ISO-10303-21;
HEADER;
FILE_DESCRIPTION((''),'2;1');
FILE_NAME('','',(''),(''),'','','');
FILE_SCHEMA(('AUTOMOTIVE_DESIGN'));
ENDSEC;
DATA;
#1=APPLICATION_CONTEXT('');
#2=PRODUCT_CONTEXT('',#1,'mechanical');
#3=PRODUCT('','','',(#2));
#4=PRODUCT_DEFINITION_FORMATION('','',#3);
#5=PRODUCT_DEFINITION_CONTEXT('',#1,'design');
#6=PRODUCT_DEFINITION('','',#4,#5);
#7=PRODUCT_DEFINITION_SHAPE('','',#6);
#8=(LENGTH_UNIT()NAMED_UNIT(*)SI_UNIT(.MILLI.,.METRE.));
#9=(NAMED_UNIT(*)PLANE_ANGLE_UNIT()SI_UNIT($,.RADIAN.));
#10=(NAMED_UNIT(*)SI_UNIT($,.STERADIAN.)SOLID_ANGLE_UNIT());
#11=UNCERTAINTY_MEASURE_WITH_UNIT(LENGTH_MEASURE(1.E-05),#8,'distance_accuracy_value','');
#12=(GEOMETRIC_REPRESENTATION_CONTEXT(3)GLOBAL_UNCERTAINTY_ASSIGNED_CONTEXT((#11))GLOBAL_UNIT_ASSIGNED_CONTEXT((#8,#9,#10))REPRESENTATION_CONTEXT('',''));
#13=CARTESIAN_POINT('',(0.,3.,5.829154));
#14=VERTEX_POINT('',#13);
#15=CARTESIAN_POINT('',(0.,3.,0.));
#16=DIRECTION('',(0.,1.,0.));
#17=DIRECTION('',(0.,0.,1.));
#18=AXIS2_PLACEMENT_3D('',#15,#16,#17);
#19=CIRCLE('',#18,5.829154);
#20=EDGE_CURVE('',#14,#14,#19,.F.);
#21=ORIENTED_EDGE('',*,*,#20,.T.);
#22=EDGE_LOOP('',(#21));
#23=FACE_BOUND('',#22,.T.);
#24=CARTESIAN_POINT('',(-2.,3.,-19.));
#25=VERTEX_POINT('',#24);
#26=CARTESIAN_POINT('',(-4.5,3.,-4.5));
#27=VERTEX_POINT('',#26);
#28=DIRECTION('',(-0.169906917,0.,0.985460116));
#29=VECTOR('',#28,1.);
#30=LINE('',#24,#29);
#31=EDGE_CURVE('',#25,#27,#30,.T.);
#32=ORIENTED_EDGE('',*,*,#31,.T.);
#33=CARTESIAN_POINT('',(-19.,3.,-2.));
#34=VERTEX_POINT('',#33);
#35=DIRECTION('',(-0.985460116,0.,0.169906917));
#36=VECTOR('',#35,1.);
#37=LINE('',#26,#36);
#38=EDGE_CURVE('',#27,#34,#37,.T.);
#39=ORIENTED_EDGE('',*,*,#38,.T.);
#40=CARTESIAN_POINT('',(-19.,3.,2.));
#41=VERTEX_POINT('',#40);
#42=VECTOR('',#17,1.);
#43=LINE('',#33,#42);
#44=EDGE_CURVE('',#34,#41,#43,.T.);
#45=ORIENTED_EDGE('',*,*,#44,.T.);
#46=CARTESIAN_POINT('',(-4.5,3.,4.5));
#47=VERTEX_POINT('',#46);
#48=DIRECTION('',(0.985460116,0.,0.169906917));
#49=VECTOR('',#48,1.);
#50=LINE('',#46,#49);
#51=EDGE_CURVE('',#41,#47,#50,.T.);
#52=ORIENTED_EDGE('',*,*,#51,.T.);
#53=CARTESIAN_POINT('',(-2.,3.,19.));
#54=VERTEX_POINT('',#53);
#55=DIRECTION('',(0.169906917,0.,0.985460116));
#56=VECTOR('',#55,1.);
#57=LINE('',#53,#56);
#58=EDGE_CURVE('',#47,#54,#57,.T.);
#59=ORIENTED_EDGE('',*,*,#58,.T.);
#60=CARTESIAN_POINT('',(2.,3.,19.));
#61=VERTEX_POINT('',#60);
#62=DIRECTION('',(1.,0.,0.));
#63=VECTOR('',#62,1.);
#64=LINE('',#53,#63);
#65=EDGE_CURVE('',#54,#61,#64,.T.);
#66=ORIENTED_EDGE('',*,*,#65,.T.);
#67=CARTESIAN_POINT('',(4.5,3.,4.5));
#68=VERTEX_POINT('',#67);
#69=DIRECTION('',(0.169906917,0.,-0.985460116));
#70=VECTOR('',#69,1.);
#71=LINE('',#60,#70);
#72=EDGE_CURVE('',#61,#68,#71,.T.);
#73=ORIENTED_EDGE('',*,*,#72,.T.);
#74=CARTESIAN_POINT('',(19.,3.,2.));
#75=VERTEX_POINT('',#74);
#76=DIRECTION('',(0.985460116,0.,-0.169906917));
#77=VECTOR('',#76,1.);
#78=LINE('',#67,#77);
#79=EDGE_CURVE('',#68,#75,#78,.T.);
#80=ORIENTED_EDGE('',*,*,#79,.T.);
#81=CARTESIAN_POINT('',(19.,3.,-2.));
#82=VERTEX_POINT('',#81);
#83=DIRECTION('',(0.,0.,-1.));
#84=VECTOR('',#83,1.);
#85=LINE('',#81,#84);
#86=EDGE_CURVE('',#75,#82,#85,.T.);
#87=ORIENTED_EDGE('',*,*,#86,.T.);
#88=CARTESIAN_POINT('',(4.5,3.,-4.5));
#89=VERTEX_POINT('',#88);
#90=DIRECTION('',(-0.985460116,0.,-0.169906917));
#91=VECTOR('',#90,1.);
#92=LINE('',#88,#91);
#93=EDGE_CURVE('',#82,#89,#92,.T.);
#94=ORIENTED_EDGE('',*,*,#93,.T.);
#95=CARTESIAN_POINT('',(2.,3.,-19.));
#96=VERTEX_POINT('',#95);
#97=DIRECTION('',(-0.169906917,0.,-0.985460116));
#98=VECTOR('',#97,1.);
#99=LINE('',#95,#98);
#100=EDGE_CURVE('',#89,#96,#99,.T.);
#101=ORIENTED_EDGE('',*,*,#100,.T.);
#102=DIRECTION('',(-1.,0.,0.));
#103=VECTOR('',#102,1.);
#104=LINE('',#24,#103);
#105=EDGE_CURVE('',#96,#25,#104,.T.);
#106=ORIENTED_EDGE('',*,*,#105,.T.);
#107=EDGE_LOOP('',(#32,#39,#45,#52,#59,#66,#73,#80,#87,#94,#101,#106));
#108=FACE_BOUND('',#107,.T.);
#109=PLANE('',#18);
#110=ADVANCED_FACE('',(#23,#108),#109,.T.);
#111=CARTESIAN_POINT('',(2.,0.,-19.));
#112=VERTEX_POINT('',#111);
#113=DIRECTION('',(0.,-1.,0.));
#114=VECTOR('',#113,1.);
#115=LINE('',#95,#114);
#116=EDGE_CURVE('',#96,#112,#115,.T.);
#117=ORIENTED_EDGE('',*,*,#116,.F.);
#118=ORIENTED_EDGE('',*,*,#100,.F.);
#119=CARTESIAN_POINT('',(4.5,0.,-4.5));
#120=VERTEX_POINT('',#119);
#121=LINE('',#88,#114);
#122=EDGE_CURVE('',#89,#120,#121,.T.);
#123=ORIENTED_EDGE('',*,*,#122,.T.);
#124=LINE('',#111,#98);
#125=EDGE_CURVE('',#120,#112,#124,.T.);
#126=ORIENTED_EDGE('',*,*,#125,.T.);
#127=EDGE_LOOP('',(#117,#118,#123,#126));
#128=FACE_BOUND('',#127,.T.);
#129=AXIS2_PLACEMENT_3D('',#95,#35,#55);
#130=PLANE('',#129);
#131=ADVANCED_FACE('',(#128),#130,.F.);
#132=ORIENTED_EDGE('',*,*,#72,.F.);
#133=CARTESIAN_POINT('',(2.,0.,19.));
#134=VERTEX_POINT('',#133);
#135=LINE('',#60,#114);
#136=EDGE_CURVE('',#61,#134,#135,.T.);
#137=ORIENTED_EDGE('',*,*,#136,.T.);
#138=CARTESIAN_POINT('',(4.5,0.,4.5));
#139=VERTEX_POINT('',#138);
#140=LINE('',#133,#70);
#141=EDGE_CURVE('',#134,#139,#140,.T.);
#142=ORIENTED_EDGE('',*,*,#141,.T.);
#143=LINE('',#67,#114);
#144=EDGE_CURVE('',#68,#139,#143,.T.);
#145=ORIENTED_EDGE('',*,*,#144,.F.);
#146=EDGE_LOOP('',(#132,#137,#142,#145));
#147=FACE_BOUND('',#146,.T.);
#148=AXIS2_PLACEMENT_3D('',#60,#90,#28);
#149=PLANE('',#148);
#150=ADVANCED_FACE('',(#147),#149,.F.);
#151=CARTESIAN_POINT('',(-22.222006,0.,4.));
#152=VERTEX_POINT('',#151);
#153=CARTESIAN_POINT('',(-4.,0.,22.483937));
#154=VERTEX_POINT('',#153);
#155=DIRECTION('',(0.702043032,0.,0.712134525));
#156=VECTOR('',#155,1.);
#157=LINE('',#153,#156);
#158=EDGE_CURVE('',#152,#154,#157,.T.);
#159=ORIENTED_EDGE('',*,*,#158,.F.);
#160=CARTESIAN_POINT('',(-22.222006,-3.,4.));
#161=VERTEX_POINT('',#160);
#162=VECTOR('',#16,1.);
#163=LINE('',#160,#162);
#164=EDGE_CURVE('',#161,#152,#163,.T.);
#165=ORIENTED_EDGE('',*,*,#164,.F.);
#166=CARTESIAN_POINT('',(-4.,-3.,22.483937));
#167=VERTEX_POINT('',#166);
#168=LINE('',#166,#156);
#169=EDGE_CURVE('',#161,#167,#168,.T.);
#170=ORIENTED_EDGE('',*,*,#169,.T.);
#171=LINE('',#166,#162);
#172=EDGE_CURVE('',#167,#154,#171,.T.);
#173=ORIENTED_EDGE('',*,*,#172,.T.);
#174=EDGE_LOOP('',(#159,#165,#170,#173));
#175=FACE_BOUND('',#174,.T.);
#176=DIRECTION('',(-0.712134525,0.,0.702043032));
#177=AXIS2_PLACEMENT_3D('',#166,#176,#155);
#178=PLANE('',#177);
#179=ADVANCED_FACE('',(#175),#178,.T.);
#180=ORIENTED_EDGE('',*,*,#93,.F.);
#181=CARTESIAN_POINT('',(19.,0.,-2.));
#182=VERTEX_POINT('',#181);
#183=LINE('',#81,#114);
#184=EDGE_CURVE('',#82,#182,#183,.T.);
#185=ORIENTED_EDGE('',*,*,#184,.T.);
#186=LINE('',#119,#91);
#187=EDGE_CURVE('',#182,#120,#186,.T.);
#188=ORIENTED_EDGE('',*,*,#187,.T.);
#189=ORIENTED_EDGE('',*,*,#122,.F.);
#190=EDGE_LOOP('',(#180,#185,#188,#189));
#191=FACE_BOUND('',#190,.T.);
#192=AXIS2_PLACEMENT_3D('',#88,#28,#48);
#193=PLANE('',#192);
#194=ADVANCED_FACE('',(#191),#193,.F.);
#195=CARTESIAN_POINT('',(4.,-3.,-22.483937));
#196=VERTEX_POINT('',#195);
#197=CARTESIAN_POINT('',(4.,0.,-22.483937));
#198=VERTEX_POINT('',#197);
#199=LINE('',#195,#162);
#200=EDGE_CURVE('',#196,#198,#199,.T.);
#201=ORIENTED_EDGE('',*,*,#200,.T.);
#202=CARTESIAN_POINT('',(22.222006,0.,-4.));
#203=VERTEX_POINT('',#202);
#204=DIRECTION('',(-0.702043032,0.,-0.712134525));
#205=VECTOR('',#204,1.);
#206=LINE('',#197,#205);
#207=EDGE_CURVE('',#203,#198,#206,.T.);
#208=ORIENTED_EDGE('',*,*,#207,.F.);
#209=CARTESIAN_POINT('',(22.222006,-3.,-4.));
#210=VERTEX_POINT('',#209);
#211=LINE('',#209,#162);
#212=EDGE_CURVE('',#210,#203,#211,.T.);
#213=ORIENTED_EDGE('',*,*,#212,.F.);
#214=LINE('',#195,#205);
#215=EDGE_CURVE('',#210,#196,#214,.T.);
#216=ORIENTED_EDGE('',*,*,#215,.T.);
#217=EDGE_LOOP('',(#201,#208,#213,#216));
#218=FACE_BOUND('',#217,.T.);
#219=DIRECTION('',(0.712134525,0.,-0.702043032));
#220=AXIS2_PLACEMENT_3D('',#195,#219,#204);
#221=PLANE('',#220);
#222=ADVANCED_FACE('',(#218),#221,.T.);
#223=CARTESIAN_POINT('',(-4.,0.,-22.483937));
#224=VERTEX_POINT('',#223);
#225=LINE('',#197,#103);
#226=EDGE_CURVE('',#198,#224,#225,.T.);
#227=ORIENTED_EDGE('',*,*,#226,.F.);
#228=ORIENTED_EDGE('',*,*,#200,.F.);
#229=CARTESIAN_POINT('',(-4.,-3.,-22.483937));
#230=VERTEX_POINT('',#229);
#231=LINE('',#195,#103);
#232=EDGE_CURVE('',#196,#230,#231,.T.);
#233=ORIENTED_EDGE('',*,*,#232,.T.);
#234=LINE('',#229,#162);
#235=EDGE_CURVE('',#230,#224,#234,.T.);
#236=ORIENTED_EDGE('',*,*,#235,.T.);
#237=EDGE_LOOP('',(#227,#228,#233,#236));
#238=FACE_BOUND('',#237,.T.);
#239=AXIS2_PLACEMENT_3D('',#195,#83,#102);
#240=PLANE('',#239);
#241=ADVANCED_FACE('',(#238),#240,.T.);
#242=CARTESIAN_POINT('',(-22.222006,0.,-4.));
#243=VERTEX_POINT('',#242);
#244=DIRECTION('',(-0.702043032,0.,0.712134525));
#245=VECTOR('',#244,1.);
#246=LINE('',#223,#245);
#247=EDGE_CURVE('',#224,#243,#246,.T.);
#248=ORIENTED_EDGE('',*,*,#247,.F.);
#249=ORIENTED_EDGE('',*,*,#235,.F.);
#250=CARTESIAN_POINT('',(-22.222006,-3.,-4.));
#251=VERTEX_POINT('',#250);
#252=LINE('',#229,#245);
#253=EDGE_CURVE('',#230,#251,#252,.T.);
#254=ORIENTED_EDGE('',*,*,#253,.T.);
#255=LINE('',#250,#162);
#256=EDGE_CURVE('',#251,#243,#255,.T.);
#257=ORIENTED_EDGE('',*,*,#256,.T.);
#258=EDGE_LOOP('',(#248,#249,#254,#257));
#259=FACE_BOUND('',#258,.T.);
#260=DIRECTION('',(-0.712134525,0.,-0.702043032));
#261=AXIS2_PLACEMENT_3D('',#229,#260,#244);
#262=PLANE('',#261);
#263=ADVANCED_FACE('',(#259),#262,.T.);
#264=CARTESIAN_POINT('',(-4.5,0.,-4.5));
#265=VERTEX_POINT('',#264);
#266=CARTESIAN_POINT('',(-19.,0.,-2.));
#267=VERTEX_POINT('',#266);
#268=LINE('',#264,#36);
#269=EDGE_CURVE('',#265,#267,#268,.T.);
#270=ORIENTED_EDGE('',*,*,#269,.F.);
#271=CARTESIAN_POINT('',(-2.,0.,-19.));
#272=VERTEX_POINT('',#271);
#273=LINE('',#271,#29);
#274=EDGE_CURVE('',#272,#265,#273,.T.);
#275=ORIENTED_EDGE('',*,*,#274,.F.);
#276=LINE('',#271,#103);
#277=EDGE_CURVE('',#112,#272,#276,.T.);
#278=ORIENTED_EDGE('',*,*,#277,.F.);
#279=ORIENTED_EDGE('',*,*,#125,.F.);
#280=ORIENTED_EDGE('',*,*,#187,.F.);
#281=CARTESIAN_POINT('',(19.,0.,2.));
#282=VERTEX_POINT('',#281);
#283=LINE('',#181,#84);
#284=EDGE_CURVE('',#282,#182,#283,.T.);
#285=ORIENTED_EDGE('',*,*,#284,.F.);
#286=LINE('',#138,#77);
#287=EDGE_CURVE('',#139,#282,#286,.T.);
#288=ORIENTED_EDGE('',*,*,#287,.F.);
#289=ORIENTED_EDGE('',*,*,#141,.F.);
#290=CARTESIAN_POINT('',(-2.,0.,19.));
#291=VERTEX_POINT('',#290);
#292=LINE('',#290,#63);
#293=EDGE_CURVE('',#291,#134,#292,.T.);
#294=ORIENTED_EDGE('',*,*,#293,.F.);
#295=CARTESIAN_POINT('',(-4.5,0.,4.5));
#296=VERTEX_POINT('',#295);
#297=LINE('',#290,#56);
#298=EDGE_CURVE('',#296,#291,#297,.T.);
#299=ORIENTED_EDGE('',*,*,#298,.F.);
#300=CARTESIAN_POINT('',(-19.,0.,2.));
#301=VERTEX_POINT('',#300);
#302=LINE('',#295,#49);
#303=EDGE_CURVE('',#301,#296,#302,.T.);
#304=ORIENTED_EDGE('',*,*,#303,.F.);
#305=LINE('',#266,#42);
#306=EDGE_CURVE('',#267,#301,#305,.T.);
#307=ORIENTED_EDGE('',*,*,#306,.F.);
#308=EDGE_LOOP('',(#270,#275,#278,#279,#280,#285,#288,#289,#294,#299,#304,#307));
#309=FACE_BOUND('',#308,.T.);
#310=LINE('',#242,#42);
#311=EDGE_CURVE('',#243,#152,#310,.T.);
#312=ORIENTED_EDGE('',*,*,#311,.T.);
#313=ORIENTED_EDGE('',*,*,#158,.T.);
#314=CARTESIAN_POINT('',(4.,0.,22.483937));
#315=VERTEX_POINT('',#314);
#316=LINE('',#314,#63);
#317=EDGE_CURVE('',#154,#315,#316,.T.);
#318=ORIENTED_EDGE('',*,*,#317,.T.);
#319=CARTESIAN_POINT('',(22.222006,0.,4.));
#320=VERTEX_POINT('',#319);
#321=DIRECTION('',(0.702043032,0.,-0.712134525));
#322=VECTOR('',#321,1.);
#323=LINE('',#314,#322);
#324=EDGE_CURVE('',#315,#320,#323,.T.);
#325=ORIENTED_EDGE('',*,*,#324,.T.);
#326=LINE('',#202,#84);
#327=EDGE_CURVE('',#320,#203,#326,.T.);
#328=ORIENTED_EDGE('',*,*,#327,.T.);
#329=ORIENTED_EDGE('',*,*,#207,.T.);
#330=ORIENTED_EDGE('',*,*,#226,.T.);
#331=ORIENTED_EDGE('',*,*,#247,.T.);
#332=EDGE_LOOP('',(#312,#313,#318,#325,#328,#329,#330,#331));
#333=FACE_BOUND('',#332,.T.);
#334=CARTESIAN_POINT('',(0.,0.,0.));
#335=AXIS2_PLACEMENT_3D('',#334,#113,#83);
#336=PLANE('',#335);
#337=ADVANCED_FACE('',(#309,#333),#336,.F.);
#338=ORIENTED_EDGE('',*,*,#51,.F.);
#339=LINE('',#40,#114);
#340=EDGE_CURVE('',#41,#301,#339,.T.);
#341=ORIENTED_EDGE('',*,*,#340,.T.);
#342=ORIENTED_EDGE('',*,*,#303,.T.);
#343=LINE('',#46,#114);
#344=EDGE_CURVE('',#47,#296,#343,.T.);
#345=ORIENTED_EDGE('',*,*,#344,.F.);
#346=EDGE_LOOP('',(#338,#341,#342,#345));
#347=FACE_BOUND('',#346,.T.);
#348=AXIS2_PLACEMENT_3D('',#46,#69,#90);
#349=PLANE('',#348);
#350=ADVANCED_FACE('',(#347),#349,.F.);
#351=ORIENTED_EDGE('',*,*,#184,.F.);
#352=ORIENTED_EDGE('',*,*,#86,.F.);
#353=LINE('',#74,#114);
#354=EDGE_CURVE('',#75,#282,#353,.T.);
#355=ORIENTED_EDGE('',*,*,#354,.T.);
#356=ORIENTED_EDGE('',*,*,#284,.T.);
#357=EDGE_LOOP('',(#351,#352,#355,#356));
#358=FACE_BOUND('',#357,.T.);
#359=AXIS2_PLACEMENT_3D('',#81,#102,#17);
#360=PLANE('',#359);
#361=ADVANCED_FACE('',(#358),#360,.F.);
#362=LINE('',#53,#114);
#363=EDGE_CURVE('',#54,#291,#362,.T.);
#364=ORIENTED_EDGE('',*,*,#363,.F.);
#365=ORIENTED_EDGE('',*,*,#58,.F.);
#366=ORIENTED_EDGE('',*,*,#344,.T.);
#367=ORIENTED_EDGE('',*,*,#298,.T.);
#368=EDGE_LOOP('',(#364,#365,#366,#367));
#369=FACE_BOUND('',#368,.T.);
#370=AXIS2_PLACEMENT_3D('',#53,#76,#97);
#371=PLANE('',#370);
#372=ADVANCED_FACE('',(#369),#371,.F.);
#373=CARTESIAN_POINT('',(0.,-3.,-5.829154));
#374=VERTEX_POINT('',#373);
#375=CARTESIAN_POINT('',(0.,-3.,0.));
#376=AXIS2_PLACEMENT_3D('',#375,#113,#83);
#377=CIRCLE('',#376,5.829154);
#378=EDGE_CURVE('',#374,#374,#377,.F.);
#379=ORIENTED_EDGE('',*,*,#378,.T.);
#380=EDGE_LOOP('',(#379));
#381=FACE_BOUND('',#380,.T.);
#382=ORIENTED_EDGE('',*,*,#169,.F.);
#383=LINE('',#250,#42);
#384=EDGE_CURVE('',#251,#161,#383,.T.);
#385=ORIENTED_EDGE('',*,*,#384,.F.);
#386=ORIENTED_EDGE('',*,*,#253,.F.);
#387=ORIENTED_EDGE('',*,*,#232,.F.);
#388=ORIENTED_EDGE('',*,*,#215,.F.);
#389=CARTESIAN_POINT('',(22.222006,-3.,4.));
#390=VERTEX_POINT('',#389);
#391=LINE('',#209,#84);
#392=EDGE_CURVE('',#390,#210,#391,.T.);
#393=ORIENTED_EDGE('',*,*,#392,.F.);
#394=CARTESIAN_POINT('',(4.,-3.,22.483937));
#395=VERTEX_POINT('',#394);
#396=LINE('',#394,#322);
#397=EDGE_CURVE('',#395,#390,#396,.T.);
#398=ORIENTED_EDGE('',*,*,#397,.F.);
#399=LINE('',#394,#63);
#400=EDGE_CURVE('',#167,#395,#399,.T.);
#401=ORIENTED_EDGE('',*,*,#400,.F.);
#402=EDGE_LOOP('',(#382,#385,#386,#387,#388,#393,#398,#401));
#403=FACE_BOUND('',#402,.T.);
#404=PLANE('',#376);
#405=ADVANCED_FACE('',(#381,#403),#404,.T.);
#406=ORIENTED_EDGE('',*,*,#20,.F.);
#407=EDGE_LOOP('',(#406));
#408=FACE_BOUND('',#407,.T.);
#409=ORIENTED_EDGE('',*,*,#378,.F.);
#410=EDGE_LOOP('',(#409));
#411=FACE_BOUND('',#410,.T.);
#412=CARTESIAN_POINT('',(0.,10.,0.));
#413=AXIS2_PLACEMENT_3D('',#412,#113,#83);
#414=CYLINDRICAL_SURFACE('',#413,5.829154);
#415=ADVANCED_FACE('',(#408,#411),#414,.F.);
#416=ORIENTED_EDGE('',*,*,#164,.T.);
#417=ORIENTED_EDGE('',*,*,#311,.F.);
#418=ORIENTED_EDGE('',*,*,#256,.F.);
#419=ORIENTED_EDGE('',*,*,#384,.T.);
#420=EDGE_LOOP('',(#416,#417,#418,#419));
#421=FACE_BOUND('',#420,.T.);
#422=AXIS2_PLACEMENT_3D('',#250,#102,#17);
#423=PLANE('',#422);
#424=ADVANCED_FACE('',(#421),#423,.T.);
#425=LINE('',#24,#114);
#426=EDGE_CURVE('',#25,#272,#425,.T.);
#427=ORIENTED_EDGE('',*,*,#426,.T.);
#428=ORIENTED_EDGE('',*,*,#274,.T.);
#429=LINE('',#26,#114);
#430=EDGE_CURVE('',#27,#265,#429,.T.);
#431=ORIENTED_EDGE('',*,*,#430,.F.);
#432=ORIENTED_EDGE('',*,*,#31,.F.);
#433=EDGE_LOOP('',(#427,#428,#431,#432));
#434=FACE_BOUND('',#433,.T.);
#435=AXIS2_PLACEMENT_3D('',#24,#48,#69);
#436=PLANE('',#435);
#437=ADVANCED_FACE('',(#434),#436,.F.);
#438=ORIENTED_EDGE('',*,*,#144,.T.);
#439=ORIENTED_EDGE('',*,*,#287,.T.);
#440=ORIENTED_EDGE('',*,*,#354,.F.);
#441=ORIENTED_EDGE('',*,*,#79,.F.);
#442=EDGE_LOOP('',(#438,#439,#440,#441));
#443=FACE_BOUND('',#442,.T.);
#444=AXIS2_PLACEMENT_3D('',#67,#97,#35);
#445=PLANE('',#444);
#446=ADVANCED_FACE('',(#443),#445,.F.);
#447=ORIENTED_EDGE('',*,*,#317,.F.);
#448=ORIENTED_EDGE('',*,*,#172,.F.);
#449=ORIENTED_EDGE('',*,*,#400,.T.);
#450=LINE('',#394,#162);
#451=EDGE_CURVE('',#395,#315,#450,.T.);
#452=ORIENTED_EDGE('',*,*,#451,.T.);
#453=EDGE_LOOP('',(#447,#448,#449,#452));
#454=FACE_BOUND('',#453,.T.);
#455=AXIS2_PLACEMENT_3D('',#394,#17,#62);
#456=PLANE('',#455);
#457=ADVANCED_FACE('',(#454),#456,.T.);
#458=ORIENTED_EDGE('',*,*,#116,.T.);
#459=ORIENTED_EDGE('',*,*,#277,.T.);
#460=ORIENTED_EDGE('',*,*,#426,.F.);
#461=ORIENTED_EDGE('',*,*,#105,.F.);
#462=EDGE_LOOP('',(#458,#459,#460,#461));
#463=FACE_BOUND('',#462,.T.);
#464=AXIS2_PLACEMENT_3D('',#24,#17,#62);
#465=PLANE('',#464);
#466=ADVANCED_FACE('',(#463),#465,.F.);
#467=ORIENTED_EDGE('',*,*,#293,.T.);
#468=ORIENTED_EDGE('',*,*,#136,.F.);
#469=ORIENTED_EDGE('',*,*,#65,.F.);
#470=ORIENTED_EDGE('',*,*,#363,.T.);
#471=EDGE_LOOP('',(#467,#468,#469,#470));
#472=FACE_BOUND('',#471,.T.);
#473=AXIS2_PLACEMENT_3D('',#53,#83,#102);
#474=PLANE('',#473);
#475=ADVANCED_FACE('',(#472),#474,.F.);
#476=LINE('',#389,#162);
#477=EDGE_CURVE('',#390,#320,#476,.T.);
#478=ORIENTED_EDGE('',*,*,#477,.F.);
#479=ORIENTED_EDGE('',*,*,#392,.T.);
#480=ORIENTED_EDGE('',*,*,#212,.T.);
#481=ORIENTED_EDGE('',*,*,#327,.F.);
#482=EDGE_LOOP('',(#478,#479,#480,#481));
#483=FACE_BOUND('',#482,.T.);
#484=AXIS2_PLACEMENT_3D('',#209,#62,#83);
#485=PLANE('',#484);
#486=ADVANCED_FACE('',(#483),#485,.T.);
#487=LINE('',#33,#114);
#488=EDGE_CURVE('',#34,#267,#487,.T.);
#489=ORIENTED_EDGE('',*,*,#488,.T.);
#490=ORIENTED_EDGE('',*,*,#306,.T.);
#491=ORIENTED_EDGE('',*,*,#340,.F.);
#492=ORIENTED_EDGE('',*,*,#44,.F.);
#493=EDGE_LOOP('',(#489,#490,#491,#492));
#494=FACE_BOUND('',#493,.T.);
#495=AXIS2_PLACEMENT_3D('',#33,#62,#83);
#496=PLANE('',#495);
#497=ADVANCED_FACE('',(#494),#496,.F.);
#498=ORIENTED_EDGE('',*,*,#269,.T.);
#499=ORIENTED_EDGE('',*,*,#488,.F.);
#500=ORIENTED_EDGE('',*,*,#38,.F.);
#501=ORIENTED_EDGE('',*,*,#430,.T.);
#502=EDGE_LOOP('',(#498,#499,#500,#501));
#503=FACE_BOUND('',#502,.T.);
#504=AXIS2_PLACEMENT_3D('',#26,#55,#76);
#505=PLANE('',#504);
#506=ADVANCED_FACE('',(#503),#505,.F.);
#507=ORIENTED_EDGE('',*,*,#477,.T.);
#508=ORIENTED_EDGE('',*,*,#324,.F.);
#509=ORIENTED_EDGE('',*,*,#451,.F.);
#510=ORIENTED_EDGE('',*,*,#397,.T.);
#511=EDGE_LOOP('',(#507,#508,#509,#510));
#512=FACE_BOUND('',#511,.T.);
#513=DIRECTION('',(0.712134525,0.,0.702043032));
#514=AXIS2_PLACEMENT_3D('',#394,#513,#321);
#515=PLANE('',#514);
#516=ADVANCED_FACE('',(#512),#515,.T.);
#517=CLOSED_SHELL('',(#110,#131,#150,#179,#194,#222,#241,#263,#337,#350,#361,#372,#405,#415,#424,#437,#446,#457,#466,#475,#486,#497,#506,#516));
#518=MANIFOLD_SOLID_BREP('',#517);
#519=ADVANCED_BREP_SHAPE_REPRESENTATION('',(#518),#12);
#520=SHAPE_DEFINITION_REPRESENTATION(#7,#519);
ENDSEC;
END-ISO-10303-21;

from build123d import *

# Parameters (mm, degrees)
BOSS_EXTRUDE1_DEPTH = 3
BOSS_EXTRUDE2_DEPTH = 3
SKETCH4_R           = 5.829154491
CUT_EXTRUDE3_DEPTH  = 10


with BuildPart() as part:
    # Sketch1 → Boss-Extrude1 (new body)
    with BuildSketch(Plane(origin=(0, 0, 0), x_dir=(1, 0, 0), z_dir=(0, 1, 0))):
        Polygon((-2, 19), (2, 19), (4.5, 4.5), (19, 2), (19, -2), (4.5, -4.5), (2, -19), (-2, -19), (-4.5, -4.5), (-19, -2), (-19, 2), (-4.5, 4.5), align=None)
    extrude(amount=BOSS_EXTRUDE1_DEPTH)

    # Sketch2 → Boss-Extrude2 (add)
    with BuildSketch(Plane(origin=(0, 0, 0), x_dir=(1, 0, 0), z_dir=(0, 1, 0))):
        Polygon((4, 22.483937469), (-4, 22.483937469), (-22.222005883, 4), (-22.222005883, -4), (-4, -22.483937469), (4, -22.483937469), (22.222005883, -4), (22.222005883, 4), align=None)
    extrude(amount=-BOSS_EXTRUDE2_DEPTH)

    # Sketch4 → Cut-Extrude3 (cut, symmetric)
    with BuildSketch(Plane(origin=(0, 0, 0), x_dir=(1, 0, 0), z_dir=(0, 1, 0))):
        with Locations(Location((0, 0, 0), (0, 0, 90))):
            Circle(SKETCH4_R)
    extrude(amount=CUT_EXTRUDE3_DEPTH, both=True, mode=Mode.SUBTRACT)


solid = part.part
